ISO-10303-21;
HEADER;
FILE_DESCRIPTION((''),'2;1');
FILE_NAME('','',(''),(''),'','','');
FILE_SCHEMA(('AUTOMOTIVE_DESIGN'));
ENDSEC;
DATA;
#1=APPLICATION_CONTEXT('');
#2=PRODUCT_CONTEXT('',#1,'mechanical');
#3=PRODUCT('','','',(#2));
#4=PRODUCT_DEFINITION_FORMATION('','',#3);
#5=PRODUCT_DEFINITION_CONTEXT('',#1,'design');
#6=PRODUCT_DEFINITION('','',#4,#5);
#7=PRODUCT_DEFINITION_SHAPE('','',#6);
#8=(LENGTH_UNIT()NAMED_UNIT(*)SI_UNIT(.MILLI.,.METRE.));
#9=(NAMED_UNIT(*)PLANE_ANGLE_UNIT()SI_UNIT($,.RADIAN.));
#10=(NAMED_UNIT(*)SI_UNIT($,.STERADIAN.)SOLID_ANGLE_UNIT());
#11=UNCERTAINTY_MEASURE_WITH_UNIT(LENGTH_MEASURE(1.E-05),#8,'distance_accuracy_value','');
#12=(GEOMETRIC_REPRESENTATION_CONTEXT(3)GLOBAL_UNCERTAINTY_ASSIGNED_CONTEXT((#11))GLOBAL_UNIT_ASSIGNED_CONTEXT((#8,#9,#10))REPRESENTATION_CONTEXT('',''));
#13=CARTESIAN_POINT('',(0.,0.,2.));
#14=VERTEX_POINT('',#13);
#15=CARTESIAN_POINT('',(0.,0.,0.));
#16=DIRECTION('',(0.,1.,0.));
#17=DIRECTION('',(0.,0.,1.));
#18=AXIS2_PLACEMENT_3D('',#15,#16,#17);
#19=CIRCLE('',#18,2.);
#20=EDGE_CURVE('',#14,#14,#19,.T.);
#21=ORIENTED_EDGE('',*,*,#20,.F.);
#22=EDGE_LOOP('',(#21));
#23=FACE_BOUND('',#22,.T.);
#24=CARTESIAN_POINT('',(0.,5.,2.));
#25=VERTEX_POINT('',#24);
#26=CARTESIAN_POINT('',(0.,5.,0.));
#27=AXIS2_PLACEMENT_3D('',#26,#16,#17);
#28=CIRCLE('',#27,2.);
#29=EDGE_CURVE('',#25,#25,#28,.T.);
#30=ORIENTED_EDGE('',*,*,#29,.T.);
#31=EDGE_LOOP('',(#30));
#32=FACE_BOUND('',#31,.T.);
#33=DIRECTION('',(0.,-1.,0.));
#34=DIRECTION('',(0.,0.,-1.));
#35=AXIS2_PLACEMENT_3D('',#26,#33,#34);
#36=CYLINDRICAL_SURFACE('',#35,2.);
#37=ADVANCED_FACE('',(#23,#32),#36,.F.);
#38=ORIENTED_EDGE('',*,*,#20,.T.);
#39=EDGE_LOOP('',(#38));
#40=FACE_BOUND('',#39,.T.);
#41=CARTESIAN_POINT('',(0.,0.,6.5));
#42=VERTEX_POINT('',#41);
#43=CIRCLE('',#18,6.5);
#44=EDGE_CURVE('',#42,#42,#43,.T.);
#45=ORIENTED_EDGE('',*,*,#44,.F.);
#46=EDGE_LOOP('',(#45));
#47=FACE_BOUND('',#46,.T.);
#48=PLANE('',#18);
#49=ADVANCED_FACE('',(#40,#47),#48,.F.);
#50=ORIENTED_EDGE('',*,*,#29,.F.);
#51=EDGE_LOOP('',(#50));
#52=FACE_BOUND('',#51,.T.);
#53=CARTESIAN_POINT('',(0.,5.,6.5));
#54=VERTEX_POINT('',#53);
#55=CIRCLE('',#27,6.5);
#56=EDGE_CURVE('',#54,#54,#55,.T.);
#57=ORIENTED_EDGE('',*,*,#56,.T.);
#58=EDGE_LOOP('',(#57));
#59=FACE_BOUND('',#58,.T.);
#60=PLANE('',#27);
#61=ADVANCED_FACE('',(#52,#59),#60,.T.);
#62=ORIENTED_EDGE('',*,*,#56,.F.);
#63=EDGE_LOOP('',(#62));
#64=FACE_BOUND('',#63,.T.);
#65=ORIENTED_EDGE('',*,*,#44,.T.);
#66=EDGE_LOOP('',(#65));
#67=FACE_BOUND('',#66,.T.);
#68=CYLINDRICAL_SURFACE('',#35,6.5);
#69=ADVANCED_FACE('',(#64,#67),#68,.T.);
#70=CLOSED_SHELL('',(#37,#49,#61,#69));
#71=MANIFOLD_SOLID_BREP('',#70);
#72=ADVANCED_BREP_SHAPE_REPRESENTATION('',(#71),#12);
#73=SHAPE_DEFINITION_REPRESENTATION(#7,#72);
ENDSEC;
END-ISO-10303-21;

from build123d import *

# Parameters (mm, degrees)
SKETCH_1_R      = 6.5
SKETCH_1_R_2    = 2
EXTRUDE_1_DEPTH = 5


with BuildPart() as part:
    # 草图1 → 凸台-拉伸1 (new body)
    with BuildSketch(Plane(origin=(0, 0, 0), x_dir=(1, 0, 0), z_dir=(0, 1, 0))):
        Circle(SKETCH_1_R)
        Circle(SKETCH_1_R_2, mode=Mode.SUBTRACT)
    extrude(amount=EXTRUDE_1_DEPTH)


solid = part.part
